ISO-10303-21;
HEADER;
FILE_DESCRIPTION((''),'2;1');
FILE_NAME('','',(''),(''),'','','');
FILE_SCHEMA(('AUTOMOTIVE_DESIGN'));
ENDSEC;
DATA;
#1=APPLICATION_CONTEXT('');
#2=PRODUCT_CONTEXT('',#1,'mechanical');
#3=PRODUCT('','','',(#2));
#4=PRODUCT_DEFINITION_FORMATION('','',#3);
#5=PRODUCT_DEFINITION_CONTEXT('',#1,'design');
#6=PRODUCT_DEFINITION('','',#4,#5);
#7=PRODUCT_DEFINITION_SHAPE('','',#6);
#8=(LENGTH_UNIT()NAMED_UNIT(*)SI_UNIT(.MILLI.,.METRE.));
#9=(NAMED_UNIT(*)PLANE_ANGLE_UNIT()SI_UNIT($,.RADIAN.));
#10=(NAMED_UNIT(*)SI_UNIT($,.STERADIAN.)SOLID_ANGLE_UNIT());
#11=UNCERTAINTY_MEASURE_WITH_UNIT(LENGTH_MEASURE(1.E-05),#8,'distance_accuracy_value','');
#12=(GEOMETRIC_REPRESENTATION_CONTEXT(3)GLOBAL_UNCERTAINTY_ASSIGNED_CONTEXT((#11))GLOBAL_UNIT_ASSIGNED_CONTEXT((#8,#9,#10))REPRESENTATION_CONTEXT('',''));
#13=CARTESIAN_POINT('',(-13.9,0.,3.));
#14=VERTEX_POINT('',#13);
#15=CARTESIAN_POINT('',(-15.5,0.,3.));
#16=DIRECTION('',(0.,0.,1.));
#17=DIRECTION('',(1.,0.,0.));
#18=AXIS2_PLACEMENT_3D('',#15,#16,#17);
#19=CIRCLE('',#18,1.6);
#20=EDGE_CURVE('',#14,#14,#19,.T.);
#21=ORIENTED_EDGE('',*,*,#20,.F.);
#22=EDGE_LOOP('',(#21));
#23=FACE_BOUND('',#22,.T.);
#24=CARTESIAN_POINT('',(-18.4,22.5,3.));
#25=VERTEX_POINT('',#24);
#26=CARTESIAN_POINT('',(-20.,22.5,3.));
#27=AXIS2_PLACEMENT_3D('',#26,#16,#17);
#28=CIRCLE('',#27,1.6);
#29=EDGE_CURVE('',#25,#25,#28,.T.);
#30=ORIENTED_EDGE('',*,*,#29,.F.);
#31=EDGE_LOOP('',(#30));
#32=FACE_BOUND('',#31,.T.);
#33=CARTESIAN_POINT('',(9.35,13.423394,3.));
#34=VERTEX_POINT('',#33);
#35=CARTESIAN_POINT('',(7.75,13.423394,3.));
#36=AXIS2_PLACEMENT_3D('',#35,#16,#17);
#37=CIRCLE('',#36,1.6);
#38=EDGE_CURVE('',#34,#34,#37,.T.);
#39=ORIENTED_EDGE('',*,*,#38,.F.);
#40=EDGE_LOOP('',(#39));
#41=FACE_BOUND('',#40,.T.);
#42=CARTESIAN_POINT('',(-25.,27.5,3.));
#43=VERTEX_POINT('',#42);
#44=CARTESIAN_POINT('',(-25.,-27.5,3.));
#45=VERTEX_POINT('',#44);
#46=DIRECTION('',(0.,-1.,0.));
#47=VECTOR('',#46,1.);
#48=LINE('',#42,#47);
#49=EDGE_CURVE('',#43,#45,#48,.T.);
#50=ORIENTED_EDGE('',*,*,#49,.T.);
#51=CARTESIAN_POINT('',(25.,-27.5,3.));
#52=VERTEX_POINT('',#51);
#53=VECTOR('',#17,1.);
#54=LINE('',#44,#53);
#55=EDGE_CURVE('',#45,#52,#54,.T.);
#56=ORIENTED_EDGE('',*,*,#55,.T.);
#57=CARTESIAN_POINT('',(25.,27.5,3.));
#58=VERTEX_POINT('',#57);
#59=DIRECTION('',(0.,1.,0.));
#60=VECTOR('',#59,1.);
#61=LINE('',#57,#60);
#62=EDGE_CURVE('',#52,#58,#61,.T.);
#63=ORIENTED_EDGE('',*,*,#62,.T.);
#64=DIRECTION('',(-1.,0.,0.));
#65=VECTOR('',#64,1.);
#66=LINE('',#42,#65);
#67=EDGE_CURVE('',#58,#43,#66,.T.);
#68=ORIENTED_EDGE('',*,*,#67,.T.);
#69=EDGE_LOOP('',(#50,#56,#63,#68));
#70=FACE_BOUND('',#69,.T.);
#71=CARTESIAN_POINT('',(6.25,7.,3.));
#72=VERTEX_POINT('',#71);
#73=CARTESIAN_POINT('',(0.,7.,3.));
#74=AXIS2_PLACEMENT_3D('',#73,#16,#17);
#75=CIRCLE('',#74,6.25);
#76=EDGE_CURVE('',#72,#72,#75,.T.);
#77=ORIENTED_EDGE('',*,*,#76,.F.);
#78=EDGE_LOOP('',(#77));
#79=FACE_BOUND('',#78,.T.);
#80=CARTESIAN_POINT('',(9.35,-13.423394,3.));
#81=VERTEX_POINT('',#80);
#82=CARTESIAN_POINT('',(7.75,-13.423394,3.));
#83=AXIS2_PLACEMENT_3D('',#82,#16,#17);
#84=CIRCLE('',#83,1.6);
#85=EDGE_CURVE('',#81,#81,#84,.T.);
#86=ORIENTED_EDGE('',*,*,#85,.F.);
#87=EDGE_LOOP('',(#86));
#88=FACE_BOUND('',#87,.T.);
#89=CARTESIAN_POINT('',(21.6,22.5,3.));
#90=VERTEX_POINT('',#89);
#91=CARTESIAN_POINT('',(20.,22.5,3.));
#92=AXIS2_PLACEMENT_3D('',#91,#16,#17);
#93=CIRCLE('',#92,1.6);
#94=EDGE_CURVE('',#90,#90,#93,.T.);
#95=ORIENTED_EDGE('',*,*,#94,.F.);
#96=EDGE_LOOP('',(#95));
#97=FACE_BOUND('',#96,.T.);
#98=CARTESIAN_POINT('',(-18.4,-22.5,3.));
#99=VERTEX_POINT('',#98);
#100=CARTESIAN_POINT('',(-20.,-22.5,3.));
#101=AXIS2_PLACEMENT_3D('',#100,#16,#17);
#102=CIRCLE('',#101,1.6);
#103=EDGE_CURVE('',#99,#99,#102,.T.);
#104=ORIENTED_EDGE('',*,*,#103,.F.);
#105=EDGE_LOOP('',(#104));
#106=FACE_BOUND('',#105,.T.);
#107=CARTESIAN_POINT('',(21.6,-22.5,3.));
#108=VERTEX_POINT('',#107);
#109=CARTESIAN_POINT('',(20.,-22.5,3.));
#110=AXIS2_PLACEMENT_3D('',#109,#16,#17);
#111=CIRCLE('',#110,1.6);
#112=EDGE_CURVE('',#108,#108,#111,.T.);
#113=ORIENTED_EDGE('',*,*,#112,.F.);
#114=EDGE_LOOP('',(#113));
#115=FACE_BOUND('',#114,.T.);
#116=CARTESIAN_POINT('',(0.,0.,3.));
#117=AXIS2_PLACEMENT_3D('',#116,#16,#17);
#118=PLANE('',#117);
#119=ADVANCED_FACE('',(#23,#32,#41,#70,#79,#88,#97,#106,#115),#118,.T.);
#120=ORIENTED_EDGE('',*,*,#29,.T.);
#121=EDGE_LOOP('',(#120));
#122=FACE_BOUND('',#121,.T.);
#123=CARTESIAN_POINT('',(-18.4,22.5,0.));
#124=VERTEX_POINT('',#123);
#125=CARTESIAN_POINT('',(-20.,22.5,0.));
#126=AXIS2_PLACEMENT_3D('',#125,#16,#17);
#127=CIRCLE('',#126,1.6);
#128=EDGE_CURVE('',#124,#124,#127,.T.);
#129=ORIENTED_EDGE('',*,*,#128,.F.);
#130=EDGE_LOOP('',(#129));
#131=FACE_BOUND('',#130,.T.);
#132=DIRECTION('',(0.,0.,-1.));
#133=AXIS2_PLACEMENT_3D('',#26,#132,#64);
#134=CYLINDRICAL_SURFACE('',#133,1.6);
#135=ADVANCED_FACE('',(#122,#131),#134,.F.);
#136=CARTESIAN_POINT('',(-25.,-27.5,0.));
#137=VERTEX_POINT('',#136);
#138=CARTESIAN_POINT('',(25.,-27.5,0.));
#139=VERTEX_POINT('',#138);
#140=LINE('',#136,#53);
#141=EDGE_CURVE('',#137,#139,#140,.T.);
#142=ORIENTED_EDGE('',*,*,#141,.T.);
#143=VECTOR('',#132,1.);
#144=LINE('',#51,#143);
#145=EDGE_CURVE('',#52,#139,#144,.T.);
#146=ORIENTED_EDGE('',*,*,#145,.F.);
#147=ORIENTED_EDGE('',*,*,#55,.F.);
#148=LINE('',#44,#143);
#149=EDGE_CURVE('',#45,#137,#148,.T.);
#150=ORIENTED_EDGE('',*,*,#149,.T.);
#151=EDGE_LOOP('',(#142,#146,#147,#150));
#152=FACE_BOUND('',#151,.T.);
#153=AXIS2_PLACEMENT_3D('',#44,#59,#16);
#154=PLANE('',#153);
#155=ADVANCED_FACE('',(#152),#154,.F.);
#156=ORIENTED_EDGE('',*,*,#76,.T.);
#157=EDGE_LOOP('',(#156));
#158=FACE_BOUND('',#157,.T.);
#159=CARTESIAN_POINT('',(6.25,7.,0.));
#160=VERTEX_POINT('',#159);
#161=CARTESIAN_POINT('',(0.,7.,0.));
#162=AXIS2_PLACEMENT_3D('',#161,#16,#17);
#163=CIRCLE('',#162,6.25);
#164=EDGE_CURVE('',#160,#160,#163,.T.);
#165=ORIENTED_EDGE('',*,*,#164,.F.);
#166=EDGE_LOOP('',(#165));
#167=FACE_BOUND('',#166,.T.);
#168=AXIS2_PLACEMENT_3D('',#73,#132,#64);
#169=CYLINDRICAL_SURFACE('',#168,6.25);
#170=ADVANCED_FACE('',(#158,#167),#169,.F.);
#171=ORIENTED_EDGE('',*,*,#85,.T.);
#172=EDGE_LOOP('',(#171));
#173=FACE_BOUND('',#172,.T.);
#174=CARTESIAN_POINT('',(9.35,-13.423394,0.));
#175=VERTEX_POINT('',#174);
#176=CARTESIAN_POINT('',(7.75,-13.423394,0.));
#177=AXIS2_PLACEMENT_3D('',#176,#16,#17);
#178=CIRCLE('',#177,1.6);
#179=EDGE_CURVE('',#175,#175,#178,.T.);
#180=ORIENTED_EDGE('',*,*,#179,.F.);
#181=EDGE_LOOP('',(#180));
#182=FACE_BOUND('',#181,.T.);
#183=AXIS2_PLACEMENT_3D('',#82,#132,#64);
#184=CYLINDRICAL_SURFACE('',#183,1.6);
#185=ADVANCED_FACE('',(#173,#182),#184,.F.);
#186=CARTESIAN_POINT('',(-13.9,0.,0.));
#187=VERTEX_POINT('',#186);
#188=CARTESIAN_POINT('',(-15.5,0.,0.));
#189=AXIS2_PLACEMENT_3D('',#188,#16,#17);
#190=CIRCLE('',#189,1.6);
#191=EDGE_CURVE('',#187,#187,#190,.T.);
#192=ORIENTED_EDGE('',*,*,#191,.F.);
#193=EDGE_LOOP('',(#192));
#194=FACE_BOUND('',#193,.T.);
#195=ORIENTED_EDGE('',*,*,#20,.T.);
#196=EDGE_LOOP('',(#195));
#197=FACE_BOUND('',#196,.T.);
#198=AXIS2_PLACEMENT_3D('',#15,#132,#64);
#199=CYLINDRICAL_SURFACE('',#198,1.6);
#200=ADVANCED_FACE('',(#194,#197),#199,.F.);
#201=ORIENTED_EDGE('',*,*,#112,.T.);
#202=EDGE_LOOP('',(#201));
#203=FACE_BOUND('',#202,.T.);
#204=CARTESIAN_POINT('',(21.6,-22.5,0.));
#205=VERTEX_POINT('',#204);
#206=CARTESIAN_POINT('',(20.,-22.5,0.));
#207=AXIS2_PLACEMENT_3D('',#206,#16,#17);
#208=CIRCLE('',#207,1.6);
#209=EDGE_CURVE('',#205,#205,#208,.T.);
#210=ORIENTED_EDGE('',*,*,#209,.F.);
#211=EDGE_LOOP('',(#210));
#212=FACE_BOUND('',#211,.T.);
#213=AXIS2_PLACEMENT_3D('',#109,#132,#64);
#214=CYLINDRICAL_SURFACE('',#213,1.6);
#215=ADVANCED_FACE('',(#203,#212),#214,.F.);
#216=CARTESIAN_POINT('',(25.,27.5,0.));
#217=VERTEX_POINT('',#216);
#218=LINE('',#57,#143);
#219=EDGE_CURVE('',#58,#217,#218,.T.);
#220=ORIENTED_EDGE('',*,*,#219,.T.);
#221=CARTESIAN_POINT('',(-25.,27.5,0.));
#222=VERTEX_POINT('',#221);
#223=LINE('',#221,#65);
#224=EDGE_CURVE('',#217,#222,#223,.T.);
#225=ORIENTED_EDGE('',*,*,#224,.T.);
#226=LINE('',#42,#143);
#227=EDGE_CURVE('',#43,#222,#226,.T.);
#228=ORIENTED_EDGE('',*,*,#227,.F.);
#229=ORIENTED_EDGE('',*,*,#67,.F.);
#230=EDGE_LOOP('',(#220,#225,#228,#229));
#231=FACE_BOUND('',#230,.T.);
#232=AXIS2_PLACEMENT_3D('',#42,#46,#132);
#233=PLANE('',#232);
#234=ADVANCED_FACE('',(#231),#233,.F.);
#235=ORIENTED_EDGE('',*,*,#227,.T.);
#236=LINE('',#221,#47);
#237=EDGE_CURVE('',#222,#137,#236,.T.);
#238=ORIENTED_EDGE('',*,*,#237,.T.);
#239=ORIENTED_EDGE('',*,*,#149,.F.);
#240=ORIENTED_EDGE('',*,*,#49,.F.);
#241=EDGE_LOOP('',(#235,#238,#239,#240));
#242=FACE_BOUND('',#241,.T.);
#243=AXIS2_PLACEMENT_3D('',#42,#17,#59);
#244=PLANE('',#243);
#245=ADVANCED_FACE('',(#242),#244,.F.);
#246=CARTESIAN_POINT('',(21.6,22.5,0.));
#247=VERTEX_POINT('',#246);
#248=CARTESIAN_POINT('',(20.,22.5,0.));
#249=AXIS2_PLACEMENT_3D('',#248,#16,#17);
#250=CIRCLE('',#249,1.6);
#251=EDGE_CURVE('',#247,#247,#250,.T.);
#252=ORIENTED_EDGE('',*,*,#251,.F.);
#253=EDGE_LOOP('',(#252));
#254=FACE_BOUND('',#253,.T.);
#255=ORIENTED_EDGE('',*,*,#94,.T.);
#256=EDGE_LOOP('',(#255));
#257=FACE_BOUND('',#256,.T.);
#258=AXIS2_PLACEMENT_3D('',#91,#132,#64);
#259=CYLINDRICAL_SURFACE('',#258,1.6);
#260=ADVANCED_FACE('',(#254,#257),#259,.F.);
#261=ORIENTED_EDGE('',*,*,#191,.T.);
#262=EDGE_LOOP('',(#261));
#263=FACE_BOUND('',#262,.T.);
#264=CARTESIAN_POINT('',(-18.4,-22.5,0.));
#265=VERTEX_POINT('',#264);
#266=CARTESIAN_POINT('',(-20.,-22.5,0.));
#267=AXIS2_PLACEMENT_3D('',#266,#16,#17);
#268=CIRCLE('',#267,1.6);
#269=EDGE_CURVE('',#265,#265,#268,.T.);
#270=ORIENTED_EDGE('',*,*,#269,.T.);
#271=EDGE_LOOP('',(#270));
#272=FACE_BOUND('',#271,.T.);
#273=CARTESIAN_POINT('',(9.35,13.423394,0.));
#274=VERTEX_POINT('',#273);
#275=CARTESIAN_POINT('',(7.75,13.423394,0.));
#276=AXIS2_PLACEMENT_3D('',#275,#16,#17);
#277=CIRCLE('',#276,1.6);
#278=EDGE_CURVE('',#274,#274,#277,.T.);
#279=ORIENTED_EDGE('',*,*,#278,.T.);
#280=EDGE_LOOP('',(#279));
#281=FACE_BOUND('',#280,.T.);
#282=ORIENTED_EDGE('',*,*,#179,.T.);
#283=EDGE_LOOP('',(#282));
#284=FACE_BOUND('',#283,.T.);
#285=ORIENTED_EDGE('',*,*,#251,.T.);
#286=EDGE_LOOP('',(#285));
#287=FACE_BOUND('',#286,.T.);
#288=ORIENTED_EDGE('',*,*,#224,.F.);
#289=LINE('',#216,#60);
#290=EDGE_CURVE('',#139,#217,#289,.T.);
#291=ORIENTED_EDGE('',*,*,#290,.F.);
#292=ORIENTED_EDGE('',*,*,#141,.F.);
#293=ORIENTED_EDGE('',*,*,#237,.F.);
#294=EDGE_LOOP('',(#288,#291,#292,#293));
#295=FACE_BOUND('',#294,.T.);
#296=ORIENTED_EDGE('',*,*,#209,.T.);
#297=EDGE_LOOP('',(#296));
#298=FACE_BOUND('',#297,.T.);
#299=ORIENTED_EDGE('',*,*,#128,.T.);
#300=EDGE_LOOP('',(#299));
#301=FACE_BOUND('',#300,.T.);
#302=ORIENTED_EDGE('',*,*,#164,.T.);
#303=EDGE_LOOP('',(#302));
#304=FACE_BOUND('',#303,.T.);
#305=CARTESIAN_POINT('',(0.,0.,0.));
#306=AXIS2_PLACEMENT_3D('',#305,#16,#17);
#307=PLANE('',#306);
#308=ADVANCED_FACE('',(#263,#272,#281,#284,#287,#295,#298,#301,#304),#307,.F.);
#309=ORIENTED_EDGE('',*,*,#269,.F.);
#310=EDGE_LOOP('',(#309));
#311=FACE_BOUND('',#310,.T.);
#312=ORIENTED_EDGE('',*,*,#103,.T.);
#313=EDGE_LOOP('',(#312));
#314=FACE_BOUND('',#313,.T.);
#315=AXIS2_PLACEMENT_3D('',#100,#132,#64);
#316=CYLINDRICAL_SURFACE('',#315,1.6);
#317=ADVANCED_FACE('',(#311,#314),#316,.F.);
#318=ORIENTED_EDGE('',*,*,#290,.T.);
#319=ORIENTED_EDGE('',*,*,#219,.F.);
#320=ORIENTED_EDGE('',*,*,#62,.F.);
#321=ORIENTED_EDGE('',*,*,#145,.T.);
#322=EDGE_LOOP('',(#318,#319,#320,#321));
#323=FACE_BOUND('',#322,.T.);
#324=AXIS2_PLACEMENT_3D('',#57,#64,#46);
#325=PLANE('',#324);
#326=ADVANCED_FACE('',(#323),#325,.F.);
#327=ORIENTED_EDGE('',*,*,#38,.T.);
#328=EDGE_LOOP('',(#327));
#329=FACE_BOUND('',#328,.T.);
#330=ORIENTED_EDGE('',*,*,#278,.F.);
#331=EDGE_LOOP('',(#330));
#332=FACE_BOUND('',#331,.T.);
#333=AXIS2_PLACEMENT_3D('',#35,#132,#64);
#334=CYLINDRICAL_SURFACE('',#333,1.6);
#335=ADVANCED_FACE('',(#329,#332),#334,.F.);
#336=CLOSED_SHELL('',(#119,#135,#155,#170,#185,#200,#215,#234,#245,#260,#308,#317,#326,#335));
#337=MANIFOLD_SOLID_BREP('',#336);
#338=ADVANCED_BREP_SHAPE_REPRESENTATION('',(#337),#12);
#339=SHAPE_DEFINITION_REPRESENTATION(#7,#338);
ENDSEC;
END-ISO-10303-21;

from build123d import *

# Parameters (mm, degrees)
SKETCH_1_W      = 50
SKETCH_1_H      = 55
SKETCH_1_R      = 6.25
SKETCH_1_R_2    = 1.6
EXTRUDE_1_DEPTH = 3


with BuildPart() as part:
    # ｽｹｯﾁ1 → ﾎﾞｽ - 押し出し1 (new body)
    with BuildSketch(Plane.XY):
        Rectangle(SKETCH_1_W, SKETCH_1_H)
        with Locations((0, 7)):
            Circle(SKETCH_1_R, mode=Mode.SUBTRACT)
        with Locations((-15.5, 0)):
            Circle(SKETCH_1_R_2, mode=Mode.SUBTRACT)
        with Locations((7.75, 13.423393759)):
            Circle(SKETCH_1_R_2, mode=Mode.SUBTRACT)
        with Locations((7.75, -13.423393759)):
            Circle(SKETCH_1_R_2, mode=Mode.SUBTRACT)
        with Locations((-20, 22.5)):
            Circle(SKETCH_1_R_2, mode=Mode.SUBTRACT)
        with Locations((20, 22.5)):
            Circle(SKETCH_1_R_2, mode=Mode.SUBTRACT)
        with Locations((-20, -22.5)):
            Circle(SKETCH_1_R_2, mode=Mode.SUBTRACT)
        with Locations((20, -22.5)):
            Circle(SKETCH_1_R_2, mode=Mode.SUBTRACT)
    extrude(amount=EXTRUDE_1_DEPTH)


solid = part.part
